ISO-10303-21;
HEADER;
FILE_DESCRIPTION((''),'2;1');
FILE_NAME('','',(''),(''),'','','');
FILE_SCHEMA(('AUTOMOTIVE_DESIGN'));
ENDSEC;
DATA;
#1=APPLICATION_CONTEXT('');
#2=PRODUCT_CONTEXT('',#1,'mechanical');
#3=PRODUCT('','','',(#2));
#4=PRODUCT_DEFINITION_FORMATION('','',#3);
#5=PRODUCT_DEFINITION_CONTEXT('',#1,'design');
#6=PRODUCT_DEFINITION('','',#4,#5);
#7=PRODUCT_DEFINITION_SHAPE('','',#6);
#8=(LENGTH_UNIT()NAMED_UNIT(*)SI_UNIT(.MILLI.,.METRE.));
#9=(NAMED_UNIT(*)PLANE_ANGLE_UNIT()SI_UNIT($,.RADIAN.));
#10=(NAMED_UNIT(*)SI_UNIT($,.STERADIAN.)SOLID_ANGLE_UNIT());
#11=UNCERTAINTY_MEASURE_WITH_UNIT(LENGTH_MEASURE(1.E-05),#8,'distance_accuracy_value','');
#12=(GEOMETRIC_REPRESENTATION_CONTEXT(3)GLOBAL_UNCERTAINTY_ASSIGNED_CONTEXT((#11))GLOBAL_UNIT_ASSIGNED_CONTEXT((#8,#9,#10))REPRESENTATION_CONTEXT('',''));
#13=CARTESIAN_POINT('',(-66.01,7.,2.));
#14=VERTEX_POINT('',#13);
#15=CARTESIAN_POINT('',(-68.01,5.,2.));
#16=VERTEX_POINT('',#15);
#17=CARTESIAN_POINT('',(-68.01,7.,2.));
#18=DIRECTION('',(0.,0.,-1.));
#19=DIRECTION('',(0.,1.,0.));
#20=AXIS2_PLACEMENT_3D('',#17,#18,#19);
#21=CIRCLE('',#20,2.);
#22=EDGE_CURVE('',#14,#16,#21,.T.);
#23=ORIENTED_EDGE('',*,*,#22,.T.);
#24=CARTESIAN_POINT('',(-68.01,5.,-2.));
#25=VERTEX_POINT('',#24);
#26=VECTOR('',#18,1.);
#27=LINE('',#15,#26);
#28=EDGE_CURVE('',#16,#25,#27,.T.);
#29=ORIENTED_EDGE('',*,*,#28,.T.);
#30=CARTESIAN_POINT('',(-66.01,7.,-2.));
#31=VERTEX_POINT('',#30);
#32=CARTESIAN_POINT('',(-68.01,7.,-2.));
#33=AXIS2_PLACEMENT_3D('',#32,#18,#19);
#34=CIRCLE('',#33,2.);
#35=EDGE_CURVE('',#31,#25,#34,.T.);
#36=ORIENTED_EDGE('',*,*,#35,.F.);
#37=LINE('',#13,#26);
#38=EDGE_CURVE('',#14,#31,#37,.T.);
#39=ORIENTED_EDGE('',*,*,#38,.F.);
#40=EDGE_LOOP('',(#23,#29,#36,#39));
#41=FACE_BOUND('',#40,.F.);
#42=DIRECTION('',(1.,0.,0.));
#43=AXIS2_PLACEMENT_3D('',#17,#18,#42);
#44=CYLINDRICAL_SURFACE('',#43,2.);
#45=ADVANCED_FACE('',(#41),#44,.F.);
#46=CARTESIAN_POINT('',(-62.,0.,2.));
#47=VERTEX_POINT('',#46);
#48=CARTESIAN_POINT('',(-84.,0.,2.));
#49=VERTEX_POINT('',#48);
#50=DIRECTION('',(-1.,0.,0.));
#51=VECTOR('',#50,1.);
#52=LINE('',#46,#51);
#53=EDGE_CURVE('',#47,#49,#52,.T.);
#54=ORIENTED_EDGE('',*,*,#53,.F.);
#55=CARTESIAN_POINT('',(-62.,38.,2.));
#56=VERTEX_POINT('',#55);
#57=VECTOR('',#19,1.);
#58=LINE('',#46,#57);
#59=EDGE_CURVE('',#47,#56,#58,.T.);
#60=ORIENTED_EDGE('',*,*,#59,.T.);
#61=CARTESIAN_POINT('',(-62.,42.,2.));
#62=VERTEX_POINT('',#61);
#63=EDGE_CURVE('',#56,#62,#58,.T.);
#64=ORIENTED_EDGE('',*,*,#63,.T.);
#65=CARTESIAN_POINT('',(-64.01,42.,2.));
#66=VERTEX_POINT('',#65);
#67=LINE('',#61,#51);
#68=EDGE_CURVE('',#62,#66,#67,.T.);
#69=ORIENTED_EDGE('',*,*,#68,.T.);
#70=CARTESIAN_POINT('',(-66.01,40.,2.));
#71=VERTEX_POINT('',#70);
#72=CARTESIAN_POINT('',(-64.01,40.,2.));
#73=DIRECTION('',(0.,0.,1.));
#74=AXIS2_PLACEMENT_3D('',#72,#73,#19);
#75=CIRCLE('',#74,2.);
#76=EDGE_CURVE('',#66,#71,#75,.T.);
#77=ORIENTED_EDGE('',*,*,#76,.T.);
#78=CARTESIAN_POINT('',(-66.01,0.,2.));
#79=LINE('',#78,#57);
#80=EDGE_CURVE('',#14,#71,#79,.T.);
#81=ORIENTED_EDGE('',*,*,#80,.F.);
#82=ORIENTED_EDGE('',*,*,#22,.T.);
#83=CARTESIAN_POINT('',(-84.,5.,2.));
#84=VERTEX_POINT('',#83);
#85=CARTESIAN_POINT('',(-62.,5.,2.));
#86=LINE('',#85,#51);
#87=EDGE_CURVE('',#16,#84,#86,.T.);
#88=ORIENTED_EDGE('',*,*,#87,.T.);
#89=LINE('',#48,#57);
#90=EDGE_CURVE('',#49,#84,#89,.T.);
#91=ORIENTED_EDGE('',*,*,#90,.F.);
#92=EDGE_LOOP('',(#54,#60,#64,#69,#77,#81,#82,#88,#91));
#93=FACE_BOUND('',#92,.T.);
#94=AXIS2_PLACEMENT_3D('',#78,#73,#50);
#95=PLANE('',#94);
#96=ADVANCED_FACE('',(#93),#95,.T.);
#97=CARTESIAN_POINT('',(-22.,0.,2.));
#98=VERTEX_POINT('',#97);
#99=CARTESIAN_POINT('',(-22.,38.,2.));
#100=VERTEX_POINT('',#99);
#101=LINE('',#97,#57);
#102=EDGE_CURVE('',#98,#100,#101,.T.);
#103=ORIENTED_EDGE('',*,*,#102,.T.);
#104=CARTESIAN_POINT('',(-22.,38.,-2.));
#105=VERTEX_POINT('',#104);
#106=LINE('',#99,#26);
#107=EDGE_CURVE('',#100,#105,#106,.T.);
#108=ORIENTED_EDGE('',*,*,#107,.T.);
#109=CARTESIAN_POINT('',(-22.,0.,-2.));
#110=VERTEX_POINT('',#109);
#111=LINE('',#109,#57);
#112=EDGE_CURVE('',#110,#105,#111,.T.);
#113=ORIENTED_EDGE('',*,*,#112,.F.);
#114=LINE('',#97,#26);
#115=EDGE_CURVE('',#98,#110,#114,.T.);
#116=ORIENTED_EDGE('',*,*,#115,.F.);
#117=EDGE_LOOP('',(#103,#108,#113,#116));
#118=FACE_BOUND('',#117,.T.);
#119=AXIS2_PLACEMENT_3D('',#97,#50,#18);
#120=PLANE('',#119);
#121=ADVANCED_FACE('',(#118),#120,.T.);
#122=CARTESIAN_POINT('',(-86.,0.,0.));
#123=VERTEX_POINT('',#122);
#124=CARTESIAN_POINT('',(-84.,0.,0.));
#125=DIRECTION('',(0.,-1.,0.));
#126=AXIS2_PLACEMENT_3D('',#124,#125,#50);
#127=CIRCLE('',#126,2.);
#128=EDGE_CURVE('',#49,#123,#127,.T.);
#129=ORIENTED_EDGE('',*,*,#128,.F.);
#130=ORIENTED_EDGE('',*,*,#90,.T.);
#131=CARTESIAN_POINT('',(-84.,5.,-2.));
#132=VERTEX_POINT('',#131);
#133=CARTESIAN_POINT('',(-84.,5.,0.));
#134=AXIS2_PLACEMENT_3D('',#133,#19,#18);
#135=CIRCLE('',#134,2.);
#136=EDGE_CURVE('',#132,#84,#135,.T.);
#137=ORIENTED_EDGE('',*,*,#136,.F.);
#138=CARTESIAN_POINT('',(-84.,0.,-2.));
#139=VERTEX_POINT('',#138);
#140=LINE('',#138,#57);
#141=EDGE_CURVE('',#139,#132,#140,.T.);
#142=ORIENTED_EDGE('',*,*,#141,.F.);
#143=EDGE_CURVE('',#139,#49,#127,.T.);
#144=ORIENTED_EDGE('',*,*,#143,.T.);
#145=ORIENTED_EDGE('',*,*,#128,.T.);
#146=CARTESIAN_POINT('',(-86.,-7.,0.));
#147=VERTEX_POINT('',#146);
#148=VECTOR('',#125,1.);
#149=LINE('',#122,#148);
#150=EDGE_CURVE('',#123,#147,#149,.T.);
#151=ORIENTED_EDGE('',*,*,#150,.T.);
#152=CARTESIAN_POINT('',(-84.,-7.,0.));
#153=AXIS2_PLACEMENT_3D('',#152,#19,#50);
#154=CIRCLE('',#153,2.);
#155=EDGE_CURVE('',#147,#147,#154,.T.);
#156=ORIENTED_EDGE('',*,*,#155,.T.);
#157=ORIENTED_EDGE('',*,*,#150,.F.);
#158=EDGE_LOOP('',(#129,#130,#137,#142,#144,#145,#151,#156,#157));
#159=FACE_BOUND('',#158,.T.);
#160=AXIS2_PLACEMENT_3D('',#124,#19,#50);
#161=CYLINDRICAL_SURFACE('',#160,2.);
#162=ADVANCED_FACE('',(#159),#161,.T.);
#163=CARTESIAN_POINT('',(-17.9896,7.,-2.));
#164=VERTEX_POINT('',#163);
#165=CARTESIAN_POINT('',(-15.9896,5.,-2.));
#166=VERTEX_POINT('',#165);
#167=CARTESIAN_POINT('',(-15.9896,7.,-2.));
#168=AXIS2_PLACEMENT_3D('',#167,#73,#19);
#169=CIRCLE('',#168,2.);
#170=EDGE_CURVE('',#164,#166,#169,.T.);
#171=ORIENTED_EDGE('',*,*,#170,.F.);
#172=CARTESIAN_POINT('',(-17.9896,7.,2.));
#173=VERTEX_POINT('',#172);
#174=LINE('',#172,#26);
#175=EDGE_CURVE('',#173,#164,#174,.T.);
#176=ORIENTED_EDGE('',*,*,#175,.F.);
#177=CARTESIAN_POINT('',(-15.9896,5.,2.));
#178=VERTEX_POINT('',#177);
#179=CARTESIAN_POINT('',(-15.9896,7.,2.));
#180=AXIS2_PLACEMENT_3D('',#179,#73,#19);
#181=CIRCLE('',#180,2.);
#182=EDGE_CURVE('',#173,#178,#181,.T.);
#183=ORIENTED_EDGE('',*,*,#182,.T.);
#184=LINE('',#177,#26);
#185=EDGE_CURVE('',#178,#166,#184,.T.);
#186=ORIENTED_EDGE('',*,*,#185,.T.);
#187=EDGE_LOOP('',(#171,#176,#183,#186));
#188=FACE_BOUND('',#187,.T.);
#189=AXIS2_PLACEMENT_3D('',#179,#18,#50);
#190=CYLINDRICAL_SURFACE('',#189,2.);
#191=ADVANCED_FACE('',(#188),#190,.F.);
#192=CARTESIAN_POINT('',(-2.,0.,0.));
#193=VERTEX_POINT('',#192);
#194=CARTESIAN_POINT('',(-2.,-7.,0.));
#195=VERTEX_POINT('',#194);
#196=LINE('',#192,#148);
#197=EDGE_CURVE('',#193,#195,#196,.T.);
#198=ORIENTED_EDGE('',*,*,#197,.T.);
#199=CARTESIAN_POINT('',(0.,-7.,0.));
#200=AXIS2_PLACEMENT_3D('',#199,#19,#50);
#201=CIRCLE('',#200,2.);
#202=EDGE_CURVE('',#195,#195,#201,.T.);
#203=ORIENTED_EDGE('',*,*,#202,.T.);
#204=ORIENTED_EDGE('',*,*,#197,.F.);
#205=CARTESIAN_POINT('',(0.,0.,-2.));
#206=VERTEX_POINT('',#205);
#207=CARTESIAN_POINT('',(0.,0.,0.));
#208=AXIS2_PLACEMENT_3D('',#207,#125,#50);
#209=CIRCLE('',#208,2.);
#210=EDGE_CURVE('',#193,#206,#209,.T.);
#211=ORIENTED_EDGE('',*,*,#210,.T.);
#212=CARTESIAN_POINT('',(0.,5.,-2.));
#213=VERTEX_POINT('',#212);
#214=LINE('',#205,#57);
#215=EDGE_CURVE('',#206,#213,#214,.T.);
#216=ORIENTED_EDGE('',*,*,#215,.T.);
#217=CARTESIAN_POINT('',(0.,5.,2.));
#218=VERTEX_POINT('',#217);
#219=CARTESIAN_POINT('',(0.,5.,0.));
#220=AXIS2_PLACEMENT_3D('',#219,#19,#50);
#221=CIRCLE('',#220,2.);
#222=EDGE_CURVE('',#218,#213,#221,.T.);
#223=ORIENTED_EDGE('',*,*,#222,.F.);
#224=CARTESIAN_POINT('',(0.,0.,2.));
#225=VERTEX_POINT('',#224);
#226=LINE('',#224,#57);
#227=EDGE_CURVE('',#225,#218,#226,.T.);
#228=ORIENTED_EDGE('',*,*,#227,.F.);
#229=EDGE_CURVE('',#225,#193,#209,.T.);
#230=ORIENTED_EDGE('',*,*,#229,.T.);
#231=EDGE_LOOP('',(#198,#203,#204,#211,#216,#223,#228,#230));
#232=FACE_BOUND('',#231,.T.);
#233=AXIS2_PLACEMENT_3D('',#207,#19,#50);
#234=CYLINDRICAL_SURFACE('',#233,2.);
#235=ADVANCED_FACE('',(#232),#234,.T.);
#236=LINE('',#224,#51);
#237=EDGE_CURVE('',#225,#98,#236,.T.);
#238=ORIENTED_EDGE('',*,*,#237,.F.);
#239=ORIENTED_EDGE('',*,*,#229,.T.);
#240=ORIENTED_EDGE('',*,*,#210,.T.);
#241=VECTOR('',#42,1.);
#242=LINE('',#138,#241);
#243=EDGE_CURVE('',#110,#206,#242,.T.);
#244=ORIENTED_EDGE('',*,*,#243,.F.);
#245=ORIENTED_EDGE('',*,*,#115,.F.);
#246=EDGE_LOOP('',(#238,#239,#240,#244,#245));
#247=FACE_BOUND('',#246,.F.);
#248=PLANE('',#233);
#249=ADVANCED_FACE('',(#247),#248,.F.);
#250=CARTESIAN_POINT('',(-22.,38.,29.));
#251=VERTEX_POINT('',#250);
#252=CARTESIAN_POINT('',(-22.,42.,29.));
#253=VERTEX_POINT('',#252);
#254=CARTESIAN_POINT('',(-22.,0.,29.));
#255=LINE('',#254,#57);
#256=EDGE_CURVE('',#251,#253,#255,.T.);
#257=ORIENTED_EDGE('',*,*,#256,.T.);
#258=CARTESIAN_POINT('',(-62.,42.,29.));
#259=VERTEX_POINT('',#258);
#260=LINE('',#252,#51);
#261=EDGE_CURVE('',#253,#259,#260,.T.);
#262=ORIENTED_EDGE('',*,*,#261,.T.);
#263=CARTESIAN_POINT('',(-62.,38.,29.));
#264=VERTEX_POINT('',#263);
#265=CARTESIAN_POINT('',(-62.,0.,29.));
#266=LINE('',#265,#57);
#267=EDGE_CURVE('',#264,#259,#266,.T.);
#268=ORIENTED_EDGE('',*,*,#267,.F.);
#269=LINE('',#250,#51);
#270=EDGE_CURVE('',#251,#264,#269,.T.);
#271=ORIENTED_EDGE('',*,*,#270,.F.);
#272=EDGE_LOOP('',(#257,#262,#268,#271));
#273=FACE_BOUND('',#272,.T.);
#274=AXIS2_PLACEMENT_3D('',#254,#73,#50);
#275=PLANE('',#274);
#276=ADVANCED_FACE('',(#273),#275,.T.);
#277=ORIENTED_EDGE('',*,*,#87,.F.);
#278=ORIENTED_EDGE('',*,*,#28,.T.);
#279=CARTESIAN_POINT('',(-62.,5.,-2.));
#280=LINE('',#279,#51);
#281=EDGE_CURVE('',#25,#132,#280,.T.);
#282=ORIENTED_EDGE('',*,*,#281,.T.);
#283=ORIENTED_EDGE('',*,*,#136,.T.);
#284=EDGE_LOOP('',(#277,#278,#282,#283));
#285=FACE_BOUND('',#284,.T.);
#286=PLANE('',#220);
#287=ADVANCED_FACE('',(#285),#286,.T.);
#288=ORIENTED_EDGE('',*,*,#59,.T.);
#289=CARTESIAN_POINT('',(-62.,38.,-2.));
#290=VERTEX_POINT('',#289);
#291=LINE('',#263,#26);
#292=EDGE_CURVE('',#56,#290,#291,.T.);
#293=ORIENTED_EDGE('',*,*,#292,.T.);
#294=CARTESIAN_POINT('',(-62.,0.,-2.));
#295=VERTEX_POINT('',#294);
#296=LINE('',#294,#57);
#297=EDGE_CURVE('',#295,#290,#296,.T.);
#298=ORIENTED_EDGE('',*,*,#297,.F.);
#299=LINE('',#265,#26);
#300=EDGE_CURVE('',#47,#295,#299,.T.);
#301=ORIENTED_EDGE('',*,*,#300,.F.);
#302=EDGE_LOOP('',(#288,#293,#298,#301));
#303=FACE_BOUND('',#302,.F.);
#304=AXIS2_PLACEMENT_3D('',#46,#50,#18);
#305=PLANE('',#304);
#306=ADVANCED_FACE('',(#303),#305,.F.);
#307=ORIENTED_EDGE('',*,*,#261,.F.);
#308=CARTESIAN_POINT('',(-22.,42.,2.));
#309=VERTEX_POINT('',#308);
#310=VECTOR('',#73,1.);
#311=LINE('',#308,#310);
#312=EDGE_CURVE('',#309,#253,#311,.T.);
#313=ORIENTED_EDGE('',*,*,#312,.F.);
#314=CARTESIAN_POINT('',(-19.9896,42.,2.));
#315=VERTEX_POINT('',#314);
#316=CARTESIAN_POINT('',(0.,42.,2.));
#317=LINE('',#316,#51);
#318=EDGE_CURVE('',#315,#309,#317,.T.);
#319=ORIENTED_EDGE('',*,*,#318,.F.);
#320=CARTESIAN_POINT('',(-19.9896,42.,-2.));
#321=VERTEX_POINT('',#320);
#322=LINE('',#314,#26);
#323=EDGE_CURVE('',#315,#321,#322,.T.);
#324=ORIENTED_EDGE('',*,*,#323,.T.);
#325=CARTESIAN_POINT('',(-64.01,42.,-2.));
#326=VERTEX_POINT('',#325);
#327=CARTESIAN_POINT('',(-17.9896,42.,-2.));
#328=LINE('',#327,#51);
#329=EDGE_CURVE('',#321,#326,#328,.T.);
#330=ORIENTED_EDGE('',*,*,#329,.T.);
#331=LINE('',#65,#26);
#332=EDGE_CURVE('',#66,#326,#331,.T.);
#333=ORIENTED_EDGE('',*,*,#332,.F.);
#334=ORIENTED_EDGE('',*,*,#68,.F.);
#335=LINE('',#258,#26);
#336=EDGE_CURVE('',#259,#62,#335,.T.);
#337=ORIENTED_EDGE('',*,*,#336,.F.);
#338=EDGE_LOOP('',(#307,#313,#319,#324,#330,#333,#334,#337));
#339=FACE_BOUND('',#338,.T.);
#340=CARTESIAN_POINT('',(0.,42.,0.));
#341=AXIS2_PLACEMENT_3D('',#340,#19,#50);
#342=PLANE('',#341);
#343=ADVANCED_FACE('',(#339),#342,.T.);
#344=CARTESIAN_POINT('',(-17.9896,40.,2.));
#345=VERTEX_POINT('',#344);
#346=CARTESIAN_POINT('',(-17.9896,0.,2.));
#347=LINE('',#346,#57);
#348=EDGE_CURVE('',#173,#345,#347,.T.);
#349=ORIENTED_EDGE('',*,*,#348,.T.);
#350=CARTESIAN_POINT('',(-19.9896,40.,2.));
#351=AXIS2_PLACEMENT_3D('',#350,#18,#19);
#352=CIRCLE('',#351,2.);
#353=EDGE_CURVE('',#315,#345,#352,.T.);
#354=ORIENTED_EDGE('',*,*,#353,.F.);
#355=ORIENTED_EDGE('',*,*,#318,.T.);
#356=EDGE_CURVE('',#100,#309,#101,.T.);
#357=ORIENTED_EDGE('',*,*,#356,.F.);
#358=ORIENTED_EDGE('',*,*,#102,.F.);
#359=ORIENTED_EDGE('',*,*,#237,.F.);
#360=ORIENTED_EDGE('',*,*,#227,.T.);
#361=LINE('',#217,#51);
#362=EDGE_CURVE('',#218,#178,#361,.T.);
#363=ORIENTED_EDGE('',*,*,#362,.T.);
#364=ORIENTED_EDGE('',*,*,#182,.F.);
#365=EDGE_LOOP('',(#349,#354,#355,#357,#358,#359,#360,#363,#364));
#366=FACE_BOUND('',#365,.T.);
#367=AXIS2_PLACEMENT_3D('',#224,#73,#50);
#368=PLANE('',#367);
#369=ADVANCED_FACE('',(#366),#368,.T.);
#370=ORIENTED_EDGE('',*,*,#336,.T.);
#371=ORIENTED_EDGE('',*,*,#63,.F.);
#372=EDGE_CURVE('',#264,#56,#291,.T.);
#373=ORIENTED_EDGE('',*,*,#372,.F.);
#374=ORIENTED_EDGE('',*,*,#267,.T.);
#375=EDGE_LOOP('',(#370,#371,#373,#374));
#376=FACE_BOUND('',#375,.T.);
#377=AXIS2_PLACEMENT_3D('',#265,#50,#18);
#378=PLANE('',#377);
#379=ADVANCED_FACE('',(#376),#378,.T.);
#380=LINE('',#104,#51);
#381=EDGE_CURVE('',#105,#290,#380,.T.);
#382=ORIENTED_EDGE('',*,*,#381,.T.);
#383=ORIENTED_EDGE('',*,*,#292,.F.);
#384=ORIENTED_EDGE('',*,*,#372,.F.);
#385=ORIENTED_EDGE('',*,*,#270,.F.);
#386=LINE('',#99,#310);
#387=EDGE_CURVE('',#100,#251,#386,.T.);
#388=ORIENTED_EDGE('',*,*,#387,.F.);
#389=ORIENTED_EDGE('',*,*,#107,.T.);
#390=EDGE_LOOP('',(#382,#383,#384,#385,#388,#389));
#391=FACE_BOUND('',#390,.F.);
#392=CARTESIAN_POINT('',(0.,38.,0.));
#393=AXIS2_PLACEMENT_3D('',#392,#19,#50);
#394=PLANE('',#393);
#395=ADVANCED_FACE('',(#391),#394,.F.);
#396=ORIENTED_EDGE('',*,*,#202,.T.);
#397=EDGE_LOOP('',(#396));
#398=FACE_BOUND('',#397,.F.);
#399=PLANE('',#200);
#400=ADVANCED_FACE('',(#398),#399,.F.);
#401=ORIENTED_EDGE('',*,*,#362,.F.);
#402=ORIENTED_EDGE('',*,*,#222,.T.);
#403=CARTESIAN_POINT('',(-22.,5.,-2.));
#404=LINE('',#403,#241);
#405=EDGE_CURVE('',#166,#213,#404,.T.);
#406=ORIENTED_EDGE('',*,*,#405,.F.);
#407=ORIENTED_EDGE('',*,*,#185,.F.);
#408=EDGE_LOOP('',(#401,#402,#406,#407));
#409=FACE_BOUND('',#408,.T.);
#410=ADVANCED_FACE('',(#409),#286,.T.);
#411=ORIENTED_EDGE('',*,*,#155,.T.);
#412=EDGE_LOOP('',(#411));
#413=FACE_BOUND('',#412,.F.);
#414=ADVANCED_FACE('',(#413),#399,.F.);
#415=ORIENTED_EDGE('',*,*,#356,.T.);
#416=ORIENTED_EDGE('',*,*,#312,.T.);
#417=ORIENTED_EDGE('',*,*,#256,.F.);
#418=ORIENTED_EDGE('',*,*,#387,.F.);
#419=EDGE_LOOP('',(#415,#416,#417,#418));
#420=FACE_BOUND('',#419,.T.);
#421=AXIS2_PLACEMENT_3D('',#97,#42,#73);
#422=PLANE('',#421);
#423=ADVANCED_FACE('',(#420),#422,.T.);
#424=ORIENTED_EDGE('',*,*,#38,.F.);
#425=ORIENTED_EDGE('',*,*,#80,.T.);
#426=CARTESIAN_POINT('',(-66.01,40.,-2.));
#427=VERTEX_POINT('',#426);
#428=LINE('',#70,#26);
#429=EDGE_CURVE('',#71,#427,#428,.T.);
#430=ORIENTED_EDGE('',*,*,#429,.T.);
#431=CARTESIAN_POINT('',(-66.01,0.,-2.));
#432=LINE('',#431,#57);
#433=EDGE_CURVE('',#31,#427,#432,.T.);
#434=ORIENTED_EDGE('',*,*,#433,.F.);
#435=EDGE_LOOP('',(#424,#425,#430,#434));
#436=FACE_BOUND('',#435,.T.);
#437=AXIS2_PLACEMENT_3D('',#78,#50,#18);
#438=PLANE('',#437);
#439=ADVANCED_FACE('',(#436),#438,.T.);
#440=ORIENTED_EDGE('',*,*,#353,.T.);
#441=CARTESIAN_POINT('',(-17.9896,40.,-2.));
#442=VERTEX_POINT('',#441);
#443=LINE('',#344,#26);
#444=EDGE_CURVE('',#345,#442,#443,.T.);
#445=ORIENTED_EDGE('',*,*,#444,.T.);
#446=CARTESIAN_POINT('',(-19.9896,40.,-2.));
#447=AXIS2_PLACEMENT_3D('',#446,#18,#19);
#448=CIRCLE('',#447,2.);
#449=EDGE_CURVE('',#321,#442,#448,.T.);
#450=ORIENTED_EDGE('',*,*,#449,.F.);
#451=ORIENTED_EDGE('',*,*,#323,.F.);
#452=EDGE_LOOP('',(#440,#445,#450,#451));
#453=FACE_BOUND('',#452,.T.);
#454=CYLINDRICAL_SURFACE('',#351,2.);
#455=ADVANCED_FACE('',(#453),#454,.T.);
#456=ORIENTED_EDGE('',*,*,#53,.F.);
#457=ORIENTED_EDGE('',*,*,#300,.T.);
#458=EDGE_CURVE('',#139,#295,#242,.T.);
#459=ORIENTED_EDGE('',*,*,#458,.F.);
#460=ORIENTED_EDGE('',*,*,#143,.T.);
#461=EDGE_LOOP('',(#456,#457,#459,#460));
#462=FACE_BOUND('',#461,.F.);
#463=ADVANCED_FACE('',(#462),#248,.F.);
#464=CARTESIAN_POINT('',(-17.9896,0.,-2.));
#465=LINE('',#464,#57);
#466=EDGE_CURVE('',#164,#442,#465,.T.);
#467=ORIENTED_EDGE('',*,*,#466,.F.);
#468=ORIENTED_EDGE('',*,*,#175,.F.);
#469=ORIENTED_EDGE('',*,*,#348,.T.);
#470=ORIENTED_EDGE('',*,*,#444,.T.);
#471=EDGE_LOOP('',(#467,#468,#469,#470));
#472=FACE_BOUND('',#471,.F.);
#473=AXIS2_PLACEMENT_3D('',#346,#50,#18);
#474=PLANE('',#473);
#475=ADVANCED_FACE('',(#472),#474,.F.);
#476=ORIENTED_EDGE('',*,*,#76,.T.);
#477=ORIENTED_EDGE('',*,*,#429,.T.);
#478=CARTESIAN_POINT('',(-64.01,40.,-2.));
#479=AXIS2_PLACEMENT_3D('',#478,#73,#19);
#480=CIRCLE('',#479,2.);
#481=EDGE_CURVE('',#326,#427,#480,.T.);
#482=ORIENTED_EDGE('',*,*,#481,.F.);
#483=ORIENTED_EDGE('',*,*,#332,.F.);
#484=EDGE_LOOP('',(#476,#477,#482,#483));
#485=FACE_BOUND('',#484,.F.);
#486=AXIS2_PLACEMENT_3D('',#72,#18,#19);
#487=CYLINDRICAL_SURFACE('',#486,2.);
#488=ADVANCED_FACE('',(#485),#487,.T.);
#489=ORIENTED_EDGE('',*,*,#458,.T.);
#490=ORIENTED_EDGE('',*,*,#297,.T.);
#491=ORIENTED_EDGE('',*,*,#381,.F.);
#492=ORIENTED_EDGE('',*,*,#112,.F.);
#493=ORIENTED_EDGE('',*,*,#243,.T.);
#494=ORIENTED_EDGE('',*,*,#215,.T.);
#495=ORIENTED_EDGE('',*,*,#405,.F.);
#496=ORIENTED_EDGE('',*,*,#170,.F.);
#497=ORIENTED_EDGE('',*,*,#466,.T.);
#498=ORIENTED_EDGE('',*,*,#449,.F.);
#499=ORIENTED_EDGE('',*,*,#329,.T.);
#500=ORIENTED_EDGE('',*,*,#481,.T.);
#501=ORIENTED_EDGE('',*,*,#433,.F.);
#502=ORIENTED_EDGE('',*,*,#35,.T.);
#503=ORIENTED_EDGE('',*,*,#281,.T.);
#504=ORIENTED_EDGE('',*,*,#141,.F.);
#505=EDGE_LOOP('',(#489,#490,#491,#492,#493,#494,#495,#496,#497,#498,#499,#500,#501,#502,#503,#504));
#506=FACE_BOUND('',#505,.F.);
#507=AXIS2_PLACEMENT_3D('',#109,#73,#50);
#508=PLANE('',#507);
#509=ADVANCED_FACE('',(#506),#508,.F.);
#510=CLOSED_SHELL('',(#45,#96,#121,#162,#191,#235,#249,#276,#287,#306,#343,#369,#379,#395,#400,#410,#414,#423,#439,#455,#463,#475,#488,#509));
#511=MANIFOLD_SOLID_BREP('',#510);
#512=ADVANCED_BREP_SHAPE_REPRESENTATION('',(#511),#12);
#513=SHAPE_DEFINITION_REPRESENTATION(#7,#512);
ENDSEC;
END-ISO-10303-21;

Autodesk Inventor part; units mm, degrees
ref_plane "YZ Plane" through (0, 0, 0) normal (1, 0, 0) x (0, 1, 0)
ref_plane "XZ Plane" through (0, 0, 0) normal (0, 1, 0) x (-1, 0, 0)
ref_plane "XY Plane" through (0, 0, 0) normal (0, 0, 1) x (1, 0, 0)
sketch "Sketch1" plane through (0, 0, 0) normal (0, 1, 0) x (-1, 0, 0)
  circle A0 centre (0, 0) radius 2
  line L0 (0, 2) -> (22, 2)
  line L1 (22, 2) -> (22, -2)
  line L2 (22, 2) -> (22, 29)
  line L3 (22, 29) -> (62, 29)
  line L4 (22, -2) -> (62, -2)
  line L5 (62, 29) -> (62, -2)
  line L6 (17.9896, 2) -> (17.9896, -2)
  line L7 (62, -2) -> (62, 2)
  line L8 (22, -2) -> (0, -2)
  line L9 (62, 2) -> (84, 2)
  line L10 (62, -2) -> (84, -2)
  circle A1 centre (84, 0) radius 2
  line L11 (66.01, 2) -> (66.01, -2)
  line L12 (66.01, 2) -> (62, 2)
  line L13 (62, -2) -> (66.01, -2)
  line L14 (17.9896, 2) -> (22, 2)
  line L15 (22, -2) -> (17.9896, -2)
  line L16 (66.01, 2) -> (66.01, -2)
  line L17 (62, -2) -> (62, 2)
  line L18 (17.9896, -2) -> (17.9896, 2)
  line L19 (22, 2) -> (22, -2)
  line L20 (66.01, 2) -> (66.01, -2)
  line L21 (62, -2) -> (62, 2)
  line L22 (22, -2) -> (22, 2)
  line L23 (22, -2) -> (22, 2)
  line L24 (22, 2) -> (22, -2)
  line L25 (17.9896, -2) -> (17.9896, 2)
  line L26 (62, 2) -> (66.01, 2)
  line L27 (66.01, -2) -> (62, -2)
  line L28 (22, 2) -> (22, -2)
  line L29 (17.9896, -2) -> (17.9896, 2)
  line L30 (22, 2) -> (17.9896, 2)
  line L31 (22, -2) -> (17.9896, -2)
  line L32 (66.01, 2) -> (62, 2)
  line L33 (62, -2) -> (62, 2)
  line L34 (66.01, -2) -> (62, -2)
  line L35 (66.01, 2) -> (66.01, -2)
  dimension "d0" = 4
  dimension "d8" = 4
  dimension "d9" = 22
  dimension "d13" = 4
  dimension "d16" = 4.01
extrude "Extrusion1" add sketch "Sketch1" against normal blind 7 contours A0 | A1
extrude "Extrusion2" add sketch "Sketch1" along normal blind 5 contours A0 | A0 L0 L6 L8 | L11 L9 A1 L10 | A1
sketch "Sketch2" plane through (0, 5, 0) normal (0, 1, 0) x (1, 0, 0)
  point P0 (0, 0)
extrude "Extrusion3" add sketch "Sketch1" along normal blind 42 contours L0 L1 L8 L6 | L5 L9 L11 L10
extrude "Extrusion4" add sketch "Sketch1" along normal blind 42 contours L2 L3 L5 L4 L1
extrude "Extrusion5" cut sketch "Sketch1" along normal blind 38 contours L2 L3 L5 L4 L1
fillet "Fillet1" radius 2 4 edges at (-66.01, 5, 0) (-66.01, 42, 0) (-17.9896, 42, 0) (-17.9896, 5, 0)
properties part number "recubrimiento de motor"
